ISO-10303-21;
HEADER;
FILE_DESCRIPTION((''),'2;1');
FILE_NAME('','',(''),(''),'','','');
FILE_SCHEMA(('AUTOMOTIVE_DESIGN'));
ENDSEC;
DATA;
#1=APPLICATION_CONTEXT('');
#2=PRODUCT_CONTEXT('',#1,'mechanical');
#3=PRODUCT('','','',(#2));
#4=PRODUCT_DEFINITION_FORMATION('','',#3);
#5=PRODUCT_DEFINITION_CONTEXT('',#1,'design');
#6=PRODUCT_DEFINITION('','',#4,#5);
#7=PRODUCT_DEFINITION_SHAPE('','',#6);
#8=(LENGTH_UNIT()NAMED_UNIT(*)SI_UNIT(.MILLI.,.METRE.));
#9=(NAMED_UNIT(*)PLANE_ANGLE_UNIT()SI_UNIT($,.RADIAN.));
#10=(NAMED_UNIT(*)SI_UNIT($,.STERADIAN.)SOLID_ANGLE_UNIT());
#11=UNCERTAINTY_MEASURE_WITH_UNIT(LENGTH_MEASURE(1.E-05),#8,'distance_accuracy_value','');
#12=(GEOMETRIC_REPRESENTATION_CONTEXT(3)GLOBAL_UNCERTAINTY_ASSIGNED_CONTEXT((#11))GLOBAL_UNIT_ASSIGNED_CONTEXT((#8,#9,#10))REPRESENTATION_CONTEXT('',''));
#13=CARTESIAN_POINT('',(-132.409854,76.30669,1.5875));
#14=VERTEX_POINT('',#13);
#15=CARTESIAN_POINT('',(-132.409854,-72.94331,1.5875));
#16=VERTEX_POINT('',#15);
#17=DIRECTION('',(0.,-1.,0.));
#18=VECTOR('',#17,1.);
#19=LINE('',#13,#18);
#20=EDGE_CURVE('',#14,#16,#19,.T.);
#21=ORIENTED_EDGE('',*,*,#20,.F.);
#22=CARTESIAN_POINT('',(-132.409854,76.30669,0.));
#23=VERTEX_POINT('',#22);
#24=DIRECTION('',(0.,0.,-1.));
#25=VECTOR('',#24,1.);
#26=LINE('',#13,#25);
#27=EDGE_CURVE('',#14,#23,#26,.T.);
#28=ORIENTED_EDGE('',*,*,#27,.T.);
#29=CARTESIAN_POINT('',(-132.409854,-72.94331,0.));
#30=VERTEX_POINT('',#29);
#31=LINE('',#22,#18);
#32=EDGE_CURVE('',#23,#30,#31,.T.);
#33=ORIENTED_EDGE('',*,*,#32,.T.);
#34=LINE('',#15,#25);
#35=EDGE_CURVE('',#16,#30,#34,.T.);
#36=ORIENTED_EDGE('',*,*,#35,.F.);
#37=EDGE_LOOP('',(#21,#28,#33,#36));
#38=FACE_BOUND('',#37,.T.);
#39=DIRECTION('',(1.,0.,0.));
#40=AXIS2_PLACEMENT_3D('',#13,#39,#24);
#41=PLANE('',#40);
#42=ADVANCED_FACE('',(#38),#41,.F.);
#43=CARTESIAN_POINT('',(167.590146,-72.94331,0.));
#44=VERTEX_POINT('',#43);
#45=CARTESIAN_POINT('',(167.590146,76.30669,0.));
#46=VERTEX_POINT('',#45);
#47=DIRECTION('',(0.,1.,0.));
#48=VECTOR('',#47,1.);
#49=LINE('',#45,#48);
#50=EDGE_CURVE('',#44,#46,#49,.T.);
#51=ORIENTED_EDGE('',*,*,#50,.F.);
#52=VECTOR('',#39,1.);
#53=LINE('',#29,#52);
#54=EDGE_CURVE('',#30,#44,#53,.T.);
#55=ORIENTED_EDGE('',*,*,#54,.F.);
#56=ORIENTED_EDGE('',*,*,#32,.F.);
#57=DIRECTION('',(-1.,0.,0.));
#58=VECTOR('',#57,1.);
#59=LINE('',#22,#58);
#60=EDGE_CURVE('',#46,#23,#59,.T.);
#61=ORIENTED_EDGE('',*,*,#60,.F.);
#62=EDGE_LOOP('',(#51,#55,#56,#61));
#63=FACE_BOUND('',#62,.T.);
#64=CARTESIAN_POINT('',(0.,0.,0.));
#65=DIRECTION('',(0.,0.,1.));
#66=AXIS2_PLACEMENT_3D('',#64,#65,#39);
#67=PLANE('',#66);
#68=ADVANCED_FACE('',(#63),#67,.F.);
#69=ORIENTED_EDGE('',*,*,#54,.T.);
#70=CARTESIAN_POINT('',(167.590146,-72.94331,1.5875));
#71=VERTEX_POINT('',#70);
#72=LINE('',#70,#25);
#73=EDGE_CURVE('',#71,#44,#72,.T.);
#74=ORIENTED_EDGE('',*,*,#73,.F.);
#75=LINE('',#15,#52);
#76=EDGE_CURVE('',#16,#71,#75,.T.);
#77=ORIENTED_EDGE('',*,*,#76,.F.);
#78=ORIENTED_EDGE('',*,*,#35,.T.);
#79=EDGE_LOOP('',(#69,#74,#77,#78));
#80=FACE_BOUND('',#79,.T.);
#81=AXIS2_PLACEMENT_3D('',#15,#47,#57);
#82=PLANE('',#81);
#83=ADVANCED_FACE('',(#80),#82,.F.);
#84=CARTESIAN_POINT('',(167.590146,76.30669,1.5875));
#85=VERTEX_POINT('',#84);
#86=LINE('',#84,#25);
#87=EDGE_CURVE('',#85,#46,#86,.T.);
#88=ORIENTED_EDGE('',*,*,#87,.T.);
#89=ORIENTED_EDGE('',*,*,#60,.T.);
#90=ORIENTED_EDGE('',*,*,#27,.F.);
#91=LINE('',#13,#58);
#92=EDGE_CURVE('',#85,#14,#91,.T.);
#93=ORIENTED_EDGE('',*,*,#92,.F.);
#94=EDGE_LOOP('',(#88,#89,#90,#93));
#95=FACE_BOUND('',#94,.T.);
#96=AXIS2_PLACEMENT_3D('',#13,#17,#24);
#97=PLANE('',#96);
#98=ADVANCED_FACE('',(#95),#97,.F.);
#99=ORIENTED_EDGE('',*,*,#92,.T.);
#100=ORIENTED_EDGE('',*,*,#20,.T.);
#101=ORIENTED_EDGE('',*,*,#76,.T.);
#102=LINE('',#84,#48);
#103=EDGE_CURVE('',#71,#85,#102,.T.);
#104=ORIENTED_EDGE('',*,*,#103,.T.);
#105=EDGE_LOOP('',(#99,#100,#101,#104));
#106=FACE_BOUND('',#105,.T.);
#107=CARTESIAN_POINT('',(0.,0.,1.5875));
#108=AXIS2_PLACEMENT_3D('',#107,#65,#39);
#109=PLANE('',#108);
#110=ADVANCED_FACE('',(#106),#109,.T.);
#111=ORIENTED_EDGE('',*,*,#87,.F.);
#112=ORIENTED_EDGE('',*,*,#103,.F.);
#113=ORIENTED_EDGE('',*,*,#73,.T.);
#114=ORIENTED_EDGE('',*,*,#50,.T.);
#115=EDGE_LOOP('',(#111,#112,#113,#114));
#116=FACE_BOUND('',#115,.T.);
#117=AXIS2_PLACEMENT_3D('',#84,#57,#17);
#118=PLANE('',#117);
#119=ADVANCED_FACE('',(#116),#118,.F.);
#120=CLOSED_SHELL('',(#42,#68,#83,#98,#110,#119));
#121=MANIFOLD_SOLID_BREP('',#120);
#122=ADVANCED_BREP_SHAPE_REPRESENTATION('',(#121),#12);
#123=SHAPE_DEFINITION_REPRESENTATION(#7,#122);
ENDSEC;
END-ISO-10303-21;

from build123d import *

# Parameters (mm, degrees)
ESQUISSE1_W        = 300
ESQUISSE1_H        = 149.25
BOSS_EXTRU_1_DEPTH = 1.5875


with BuildPart() as part:
    # Esquisse1 → Boss.-Extru.1 (new body)
    with BuildSketch(Plane.XY):
        with Locations((17.590145924, 1.681690141)):
            Rectangle(ESQUISSE1_W, ESQUISSE1_H)
    extrude(amount=BOSS_EXTRU_1_DEPTH)


solid = part.part
